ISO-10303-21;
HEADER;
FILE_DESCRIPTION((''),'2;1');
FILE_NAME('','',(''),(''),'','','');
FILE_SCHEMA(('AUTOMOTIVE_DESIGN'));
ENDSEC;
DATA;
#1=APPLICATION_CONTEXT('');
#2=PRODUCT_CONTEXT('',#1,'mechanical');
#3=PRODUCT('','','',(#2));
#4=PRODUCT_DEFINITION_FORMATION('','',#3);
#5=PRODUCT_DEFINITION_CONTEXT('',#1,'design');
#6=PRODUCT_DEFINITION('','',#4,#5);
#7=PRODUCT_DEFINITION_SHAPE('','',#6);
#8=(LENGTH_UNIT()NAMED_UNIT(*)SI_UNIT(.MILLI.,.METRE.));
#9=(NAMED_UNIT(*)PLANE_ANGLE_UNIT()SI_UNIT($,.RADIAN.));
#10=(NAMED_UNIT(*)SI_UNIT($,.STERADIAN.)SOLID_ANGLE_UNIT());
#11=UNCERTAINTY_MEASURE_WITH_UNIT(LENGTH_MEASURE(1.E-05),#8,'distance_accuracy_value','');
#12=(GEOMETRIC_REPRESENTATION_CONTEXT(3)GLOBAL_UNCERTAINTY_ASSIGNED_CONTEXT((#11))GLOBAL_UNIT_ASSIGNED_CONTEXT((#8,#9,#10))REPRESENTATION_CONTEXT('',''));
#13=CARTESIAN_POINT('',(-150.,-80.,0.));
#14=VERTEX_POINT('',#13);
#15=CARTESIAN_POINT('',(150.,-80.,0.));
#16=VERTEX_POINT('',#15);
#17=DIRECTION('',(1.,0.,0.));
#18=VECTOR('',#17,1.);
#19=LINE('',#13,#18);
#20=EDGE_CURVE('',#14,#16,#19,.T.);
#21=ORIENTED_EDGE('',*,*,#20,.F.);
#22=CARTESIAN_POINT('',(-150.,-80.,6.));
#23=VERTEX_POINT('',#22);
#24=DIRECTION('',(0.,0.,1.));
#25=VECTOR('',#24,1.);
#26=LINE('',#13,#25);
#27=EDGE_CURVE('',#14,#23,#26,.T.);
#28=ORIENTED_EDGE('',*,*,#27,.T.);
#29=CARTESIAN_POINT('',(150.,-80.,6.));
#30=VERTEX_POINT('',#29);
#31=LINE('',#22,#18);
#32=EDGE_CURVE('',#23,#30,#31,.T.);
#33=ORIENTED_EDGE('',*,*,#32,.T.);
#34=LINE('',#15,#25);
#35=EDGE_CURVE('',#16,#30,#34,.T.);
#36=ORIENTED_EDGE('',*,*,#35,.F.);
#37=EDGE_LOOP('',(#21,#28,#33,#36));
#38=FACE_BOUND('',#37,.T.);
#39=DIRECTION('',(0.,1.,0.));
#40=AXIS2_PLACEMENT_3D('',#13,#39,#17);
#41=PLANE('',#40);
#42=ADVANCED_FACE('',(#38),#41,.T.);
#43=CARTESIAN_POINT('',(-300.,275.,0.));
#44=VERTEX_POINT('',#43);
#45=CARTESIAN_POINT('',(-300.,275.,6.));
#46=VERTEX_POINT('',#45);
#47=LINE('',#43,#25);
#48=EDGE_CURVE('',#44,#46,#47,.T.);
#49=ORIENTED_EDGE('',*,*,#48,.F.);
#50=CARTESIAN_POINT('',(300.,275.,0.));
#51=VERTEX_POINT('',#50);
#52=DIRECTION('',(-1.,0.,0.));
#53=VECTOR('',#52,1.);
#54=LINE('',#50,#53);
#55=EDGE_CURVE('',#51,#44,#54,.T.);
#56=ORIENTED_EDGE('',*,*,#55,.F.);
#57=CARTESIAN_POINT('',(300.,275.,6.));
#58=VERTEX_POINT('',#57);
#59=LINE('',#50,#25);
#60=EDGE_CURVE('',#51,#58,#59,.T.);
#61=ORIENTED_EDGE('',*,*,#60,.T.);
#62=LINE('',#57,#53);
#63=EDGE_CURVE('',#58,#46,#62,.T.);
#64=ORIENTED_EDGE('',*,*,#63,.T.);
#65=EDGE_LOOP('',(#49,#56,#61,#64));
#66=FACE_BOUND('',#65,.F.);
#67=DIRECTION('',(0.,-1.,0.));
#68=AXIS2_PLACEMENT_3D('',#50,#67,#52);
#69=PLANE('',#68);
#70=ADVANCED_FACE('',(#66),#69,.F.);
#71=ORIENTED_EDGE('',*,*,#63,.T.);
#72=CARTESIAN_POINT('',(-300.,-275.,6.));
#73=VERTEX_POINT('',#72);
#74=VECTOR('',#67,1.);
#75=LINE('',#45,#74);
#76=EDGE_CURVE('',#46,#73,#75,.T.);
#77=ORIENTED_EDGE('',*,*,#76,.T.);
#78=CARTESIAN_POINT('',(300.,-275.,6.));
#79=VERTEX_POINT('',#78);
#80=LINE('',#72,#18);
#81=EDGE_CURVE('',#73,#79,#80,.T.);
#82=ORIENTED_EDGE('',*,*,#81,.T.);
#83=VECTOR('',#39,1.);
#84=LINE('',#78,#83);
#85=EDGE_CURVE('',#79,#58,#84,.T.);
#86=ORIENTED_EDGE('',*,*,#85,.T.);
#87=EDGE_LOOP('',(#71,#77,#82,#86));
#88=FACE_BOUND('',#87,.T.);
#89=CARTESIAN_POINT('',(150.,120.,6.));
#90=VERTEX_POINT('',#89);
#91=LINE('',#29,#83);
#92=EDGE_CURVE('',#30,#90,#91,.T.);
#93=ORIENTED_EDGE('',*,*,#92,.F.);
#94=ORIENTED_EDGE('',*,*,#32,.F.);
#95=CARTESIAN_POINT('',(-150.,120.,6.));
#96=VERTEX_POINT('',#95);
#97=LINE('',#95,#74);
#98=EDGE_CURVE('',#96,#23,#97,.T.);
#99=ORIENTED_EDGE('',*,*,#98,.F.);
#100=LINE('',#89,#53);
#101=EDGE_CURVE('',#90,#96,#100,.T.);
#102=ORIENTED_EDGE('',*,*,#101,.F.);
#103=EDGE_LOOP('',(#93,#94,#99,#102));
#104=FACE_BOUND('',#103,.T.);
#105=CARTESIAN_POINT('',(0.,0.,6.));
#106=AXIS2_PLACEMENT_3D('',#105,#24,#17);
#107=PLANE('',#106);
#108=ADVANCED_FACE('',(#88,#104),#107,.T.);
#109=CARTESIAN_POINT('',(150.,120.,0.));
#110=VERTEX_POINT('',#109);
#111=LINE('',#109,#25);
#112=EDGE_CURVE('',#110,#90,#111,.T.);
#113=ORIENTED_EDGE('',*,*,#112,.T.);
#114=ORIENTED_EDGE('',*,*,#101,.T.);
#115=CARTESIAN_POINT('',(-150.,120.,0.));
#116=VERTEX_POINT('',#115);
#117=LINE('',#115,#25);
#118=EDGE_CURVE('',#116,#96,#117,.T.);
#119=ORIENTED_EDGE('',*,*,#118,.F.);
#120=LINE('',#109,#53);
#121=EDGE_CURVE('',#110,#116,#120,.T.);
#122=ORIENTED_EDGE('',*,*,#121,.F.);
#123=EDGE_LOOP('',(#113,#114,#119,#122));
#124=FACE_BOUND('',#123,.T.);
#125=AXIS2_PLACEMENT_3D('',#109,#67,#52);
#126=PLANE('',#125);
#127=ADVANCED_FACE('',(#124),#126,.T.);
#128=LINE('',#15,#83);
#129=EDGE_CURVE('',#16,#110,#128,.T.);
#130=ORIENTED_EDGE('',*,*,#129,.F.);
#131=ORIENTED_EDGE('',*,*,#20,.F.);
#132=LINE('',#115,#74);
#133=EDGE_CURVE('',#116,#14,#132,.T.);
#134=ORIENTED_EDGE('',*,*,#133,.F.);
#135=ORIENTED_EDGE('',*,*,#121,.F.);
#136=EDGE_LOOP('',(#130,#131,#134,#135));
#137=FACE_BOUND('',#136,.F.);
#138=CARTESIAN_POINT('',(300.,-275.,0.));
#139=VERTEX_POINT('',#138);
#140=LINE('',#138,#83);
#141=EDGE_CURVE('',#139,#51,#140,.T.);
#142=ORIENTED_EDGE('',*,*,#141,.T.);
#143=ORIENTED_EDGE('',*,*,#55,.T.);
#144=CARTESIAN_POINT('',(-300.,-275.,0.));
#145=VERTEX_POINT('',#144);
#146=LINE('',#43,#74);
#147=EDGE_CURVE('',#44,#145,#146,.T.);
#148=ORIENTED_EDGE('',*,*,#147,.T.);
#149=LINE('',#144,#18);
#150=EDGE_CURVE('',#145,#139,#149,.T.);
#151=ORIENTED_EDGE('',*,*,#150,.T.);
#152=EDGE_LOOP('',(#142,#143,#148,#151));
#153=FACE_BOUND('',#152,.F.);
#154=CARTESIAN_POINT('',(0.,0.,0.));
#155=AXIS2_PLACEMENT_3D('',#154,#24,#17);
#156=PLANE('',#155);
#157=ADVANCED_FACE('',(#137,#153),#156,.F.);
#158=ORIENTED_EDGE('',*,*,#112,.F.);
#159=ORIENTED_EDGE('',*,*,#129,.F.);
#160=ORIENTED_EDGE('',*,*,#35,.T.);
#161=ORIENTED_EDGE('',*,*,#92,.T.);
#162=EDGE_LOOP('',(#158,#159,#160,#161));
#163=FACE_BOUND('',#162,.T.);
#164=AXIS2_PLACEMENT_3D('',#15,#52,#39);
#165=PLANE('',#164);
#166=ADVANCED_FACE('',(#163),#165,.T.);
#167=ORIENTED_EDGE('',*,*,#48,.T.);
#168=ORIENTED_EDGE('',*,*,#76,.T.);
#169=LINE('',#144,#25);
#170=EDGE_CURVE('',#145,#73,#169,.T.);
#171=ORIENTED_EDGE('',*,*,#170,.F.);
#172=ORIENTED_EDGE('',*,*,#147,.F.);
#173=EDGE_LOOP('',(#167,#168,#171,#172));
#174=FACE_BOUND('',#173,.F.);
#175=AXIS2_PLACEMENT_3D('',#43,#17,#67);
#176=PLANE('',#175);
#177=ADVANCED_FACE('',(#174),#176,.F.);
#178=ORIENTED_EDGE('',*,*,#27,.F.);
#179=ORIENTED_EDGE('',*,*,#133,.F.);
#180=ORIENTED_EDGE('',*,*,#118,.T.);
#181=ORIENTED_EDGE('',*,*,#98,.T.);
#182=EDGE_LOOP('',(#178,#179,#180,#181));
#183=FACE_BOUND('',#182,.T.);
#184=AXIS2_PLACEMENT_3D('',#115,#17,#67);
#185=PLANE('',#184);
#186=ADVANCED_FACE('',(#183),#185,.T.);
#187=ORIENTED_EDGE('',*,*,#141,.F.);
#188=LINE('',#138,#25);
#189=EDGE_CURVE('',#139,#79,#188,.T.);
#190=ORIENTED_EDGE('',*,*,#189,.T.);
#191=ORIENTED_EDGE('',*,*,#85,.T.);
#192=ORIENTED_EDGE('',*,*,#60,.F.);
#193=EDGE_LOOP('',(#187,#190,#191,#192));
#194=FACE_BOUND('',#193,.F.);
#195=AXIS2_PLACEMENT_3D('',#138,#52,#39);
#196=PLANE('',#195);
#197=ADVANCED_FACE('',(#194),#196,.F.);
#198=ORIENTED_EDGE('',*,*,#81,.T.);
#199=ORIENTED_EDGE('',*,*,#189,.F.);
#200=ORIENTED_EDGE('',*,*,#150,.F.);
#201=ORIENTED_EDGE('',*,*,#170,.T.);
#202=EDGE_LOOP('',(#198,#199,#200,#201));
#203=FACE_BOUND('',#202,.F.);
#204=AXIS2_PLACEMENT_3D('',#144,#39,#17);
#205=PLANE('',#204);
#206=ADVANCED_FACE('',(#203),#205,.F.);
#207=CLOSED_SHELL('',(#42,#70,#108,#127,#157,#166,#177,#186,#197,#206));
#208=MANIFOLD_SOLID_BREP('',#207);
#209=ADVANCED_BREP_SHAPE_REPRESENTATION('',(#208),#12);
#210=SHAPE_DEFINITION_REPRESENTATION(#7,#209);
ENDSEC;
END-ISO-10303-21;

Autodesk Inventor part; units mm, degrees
ref_plane "YZ Plane" through (0, 0, 0) normal (1, 0, 0) x (0, 1, 0)
ref_plane "XZ Plane" through (0, 0, 0) normal (0, 1, 0) x (-1, 0, 0)
ref_plane "XY Plane" through (0, 0, 0) normal (0, 0, 1) x (1, 0, 0)
sketch "Sketch1" plane through (0, 0, 0) normal (0, 0, 1) x (1, 0, 0)
  line L0 (-300, -275) -> (300, -275)
  line L1 (300, -275) -> (300, 275)
  line L2 (300, 275) -> (-300, 275)
  line L3 (-300, 275) -> (-300, -275)
  line L4 (-300, -275) -> (300, 275) construction
  line L5 (300, -275) -> (-300, 275) construction
  line L6 (-150, -80) -> (150, -80)
  line L7 (150, -80) -> (150, 120)
  line L8 (150, 120) -> (-150, 120)
  line L9 (-150, 120) -> (-150, -80)
  line L10 (-150, -80) -> (150, 120) construction
  line L11 (150, -80) -> (-150, 120) construction
  line L12 (0, 20) -> (0, 0) construction
  dimension "d0" = 600
  dimension "d1" = 550
  dimension "d4" = 300
  dimension "d5" = 200
  dimension "d6" = 20
extrude "Extrusion1" add sketch "Sketch1" along normal blind 6
properties part number "drzwiczki-przod"
